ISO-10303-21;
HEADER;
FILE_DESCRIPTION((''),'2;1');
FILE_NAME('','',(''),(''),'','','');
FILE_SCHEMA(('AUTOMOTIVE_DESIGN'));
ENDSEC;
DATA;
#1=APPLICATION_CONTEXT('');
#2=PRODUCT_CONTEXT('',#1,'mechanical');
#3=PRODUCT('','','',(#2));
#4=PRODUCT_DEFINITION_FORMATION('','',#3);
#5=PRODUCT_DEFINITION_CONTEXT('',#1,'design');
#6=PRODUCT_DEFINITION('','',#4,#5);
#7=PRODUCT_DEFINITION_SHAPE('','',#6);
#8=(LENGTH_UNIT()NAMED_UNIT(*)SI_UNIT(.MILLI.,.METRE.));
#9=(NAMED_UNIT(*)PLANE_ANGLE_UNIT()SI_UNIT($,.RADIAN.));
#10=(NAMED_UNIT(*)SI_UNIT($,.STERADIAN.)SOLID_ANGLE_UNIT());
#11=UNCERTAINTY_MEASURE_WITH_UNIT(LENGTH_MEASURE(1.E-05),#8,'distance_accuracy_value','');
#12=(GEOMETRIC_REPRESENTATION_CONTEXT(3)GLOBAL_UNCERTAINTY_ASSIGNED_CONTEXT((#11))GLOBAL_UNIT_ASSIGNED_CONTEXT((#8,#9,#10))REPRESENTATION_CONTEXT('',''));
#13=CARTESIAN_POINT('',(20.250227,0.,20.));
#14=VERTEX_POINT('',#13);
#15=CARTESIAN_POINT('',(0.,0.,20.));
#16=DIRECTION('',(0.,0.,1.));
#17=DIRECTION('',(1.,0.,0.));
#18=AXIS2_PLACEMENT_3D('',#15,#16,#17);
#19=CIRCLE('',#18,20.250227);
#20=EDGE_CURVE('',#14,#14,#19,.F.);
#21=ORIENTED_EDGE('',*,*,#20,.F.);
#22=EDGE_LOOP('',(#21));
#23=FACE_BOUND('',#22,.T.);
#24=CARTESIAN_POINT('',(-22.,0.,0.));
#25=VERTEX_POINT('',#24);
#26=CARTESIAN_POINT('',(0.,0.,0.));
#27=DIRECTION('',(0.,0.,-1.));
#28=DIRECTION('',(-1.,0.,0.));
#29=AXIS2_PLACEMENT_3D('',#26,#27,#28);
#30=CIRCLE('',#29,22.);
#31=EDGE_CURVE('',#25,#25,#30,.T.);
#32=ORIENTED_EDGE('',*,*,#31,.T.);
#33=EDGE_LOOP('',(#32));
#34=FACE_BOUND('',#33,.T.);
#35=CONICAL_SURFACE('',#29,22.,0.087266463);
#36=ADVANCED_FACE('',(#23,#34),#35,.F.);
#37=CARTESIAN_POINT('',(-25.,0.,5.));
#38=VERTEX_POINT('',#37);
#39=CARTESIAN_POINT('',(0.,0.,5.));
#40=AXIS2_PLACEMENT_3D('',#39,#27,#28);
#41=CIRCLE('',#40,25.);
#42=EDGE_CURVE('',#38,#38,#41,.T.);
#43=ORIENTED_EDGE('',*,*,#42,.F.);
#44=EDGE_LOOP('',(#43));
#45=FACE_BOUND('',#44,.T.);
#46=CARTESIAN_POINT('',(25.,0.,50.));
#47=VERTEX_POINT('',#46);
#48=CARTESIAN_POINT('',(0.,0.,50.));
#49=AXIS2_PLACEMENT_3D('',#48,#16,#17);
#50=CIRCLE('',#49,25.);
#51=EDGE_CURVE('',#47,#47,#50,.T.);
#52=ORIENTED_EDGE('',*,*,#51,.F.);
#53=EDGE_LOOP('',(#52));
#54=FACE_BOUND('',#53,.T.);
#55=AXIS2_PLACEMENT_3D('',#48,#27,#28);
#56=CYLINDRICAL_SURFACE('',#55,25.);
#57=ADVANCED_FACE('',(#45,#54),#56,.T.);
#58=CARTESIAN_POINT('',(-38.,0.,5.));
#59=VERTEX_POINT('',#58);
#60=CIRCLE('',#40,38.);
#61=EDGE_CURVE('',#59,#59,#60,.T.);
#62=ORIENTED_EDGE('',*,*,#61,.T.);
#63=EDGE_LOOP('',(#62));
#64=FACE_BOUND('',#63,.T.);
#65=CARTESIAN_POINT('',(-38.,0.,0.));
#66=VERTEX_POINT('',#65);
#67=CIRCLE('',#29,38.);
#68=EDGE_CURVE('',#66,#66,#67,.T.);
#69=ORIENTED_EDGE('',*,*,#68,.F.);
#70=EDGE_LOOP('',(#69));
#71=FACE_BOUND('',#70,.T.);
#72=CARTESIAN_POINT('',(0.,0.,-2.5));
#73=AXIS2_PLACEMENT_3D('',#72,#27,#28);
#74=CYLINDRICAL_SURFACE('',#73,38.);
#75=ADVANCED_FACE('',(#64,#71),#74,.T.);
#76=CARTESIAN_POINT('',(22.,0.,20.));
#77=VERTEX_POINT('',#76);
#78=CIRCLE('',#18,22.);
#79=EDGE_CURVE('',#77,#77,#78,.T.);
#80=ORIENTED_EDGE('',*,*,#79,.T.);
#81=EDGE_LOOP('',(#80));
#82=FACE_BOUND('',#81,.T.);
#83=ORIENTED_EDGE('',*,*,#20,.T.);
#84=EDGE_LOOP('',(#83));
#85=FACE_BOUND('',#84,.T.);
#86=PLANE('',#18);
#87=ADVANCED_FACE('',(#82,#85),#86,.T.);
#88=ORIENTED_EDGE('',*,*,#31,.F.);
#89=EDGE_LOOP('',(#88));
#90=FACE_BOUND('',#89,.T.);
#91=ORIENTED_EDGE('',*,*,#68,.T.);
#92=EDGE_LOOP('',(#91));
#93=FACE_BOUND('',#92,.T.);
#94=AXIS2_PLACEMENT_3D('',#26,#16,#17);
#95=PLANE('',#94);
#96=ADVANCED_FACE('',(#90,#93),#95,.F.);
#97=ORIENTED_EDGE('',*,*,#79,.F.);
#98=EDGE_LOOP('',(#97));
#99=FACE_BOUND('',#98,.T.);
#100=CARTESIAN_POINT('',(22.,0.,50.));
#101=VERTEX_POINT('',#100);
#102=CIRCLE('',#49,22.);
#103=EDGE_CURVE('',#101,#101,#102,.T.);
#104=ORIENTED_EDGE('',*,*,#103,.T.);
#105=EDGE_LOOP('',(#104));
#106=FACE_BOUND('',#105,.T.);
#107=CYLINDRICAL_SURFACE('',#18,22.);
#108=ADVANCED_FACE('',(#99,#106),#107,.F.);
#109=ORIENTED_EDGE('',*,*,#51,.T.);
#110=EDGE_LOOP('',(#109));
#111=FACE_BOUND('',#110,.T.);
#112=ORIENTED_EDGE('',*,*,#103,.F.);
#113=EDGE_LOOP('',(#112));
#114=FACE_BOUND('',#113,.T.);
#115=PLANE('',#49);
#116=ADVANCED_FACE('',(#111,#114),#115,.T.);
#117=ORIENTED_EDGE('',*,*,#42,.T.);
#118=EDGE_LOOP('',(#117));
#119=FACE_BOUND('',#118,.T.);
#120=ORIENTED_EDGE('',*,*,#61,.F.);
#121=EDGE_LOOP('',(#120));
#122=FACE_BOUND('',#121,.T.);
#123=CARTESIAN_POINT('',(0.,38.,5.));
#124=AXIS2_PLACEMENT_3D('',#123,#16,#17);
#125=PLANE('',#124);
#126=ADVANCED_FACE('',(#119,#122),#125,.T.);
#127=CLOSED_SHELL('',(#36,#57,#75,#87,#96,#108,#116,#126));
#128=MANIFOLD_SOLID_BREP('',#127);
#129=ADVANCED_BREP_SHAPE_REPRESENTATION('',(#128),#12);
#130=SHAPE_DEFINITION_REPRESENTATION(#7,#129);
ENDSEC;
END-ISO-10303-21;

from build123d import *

# Parameters (mm, degrees)
SKETCH1_R           = 25
BOSS_EXTRUDE1_DEPTH = 50
SKETCH4_W           = 5
SKETCH4_H           = 13
SKETCH2_R           = 22
CUT_EXTRUDE1_DEPTH  = 74.402997214
CUT_EXTRUDE1_DRAFT  = -5
SKETCH3_R           = 22
CUT_EXTRUDE2_DEPTH  = 30


with BuildPart() as part:
    # Sketch1 → Boss-Extrude1 (new body)
    with BuildSketch(Plane.XY):
        Circle(SKETCH1_R)
    extrude(amount=BOSS_EXTRUDE1_DEPTH)

    # Sketch4 → Revolve1 (revolve)
    with BuildSketch(Plane(origin=(0, 0, 0), x_dir=(0, 0, -1), z_dir=(1, 0, 0)), mode=Mode.PRIVATE) as revolve1_sk:
        with Locations((-2.5, 31.5)):
            Rectangle(SKETCH4_W, SKETCH4_H)
    revolve(revolve1_sk.sketch.rotate(Axis((0, 0, -2.5), (0, 0, 1)), 90), axis=Axis((0, 0, -2.5), (0, 0, 1)))


with BuildPart() as cut_extrude1_tool:
    # Sketch2 → Cut-Extrude1 (with draft: the straight prism first)
    with BuildSketch(Plane(origin=(0, 0, 0), x_dir=(-1, 0, 0), z_dir=(0, 0, -1))):
        Circle(SKETCH2_R)
    extrude(amount=-CUT_EXTRUDE1_DEPTH)
    # Cut-Extrude1: the draft: its side faces are tilted about the plane it starts from
    cut_extrude1_sides = [cut_extrude1_tool.faces().sort_by_distance(p)[0] for p in [
        (22, 0, 37.201498607),
    ]]
    draft(cut_extrude1_sides, Plane(origin=(0, 0, 0), x_dir=(-1, 0, 0), z_dir=(0, 0, -1)), CUT_EXTRUDE1_DRAFT)


with BuildPart() as part_1:
    add(part.part)

    # Cut-Extrude1: cut by cut_extrude1_tool
    add(cut_extrude1_tool.part, mode=Mode.SUBTRACT)

    # Sketch3 → Cut-Extrude2 (cut)
    with BuildSketch(Plane.XY.offset(50)):
        Circle(SKETCH3_R)
    extrude(amount=-CUT_EXTRUDE2_DEPTH, mode=Mode.SUBTRACT)


solid = part_1.part
